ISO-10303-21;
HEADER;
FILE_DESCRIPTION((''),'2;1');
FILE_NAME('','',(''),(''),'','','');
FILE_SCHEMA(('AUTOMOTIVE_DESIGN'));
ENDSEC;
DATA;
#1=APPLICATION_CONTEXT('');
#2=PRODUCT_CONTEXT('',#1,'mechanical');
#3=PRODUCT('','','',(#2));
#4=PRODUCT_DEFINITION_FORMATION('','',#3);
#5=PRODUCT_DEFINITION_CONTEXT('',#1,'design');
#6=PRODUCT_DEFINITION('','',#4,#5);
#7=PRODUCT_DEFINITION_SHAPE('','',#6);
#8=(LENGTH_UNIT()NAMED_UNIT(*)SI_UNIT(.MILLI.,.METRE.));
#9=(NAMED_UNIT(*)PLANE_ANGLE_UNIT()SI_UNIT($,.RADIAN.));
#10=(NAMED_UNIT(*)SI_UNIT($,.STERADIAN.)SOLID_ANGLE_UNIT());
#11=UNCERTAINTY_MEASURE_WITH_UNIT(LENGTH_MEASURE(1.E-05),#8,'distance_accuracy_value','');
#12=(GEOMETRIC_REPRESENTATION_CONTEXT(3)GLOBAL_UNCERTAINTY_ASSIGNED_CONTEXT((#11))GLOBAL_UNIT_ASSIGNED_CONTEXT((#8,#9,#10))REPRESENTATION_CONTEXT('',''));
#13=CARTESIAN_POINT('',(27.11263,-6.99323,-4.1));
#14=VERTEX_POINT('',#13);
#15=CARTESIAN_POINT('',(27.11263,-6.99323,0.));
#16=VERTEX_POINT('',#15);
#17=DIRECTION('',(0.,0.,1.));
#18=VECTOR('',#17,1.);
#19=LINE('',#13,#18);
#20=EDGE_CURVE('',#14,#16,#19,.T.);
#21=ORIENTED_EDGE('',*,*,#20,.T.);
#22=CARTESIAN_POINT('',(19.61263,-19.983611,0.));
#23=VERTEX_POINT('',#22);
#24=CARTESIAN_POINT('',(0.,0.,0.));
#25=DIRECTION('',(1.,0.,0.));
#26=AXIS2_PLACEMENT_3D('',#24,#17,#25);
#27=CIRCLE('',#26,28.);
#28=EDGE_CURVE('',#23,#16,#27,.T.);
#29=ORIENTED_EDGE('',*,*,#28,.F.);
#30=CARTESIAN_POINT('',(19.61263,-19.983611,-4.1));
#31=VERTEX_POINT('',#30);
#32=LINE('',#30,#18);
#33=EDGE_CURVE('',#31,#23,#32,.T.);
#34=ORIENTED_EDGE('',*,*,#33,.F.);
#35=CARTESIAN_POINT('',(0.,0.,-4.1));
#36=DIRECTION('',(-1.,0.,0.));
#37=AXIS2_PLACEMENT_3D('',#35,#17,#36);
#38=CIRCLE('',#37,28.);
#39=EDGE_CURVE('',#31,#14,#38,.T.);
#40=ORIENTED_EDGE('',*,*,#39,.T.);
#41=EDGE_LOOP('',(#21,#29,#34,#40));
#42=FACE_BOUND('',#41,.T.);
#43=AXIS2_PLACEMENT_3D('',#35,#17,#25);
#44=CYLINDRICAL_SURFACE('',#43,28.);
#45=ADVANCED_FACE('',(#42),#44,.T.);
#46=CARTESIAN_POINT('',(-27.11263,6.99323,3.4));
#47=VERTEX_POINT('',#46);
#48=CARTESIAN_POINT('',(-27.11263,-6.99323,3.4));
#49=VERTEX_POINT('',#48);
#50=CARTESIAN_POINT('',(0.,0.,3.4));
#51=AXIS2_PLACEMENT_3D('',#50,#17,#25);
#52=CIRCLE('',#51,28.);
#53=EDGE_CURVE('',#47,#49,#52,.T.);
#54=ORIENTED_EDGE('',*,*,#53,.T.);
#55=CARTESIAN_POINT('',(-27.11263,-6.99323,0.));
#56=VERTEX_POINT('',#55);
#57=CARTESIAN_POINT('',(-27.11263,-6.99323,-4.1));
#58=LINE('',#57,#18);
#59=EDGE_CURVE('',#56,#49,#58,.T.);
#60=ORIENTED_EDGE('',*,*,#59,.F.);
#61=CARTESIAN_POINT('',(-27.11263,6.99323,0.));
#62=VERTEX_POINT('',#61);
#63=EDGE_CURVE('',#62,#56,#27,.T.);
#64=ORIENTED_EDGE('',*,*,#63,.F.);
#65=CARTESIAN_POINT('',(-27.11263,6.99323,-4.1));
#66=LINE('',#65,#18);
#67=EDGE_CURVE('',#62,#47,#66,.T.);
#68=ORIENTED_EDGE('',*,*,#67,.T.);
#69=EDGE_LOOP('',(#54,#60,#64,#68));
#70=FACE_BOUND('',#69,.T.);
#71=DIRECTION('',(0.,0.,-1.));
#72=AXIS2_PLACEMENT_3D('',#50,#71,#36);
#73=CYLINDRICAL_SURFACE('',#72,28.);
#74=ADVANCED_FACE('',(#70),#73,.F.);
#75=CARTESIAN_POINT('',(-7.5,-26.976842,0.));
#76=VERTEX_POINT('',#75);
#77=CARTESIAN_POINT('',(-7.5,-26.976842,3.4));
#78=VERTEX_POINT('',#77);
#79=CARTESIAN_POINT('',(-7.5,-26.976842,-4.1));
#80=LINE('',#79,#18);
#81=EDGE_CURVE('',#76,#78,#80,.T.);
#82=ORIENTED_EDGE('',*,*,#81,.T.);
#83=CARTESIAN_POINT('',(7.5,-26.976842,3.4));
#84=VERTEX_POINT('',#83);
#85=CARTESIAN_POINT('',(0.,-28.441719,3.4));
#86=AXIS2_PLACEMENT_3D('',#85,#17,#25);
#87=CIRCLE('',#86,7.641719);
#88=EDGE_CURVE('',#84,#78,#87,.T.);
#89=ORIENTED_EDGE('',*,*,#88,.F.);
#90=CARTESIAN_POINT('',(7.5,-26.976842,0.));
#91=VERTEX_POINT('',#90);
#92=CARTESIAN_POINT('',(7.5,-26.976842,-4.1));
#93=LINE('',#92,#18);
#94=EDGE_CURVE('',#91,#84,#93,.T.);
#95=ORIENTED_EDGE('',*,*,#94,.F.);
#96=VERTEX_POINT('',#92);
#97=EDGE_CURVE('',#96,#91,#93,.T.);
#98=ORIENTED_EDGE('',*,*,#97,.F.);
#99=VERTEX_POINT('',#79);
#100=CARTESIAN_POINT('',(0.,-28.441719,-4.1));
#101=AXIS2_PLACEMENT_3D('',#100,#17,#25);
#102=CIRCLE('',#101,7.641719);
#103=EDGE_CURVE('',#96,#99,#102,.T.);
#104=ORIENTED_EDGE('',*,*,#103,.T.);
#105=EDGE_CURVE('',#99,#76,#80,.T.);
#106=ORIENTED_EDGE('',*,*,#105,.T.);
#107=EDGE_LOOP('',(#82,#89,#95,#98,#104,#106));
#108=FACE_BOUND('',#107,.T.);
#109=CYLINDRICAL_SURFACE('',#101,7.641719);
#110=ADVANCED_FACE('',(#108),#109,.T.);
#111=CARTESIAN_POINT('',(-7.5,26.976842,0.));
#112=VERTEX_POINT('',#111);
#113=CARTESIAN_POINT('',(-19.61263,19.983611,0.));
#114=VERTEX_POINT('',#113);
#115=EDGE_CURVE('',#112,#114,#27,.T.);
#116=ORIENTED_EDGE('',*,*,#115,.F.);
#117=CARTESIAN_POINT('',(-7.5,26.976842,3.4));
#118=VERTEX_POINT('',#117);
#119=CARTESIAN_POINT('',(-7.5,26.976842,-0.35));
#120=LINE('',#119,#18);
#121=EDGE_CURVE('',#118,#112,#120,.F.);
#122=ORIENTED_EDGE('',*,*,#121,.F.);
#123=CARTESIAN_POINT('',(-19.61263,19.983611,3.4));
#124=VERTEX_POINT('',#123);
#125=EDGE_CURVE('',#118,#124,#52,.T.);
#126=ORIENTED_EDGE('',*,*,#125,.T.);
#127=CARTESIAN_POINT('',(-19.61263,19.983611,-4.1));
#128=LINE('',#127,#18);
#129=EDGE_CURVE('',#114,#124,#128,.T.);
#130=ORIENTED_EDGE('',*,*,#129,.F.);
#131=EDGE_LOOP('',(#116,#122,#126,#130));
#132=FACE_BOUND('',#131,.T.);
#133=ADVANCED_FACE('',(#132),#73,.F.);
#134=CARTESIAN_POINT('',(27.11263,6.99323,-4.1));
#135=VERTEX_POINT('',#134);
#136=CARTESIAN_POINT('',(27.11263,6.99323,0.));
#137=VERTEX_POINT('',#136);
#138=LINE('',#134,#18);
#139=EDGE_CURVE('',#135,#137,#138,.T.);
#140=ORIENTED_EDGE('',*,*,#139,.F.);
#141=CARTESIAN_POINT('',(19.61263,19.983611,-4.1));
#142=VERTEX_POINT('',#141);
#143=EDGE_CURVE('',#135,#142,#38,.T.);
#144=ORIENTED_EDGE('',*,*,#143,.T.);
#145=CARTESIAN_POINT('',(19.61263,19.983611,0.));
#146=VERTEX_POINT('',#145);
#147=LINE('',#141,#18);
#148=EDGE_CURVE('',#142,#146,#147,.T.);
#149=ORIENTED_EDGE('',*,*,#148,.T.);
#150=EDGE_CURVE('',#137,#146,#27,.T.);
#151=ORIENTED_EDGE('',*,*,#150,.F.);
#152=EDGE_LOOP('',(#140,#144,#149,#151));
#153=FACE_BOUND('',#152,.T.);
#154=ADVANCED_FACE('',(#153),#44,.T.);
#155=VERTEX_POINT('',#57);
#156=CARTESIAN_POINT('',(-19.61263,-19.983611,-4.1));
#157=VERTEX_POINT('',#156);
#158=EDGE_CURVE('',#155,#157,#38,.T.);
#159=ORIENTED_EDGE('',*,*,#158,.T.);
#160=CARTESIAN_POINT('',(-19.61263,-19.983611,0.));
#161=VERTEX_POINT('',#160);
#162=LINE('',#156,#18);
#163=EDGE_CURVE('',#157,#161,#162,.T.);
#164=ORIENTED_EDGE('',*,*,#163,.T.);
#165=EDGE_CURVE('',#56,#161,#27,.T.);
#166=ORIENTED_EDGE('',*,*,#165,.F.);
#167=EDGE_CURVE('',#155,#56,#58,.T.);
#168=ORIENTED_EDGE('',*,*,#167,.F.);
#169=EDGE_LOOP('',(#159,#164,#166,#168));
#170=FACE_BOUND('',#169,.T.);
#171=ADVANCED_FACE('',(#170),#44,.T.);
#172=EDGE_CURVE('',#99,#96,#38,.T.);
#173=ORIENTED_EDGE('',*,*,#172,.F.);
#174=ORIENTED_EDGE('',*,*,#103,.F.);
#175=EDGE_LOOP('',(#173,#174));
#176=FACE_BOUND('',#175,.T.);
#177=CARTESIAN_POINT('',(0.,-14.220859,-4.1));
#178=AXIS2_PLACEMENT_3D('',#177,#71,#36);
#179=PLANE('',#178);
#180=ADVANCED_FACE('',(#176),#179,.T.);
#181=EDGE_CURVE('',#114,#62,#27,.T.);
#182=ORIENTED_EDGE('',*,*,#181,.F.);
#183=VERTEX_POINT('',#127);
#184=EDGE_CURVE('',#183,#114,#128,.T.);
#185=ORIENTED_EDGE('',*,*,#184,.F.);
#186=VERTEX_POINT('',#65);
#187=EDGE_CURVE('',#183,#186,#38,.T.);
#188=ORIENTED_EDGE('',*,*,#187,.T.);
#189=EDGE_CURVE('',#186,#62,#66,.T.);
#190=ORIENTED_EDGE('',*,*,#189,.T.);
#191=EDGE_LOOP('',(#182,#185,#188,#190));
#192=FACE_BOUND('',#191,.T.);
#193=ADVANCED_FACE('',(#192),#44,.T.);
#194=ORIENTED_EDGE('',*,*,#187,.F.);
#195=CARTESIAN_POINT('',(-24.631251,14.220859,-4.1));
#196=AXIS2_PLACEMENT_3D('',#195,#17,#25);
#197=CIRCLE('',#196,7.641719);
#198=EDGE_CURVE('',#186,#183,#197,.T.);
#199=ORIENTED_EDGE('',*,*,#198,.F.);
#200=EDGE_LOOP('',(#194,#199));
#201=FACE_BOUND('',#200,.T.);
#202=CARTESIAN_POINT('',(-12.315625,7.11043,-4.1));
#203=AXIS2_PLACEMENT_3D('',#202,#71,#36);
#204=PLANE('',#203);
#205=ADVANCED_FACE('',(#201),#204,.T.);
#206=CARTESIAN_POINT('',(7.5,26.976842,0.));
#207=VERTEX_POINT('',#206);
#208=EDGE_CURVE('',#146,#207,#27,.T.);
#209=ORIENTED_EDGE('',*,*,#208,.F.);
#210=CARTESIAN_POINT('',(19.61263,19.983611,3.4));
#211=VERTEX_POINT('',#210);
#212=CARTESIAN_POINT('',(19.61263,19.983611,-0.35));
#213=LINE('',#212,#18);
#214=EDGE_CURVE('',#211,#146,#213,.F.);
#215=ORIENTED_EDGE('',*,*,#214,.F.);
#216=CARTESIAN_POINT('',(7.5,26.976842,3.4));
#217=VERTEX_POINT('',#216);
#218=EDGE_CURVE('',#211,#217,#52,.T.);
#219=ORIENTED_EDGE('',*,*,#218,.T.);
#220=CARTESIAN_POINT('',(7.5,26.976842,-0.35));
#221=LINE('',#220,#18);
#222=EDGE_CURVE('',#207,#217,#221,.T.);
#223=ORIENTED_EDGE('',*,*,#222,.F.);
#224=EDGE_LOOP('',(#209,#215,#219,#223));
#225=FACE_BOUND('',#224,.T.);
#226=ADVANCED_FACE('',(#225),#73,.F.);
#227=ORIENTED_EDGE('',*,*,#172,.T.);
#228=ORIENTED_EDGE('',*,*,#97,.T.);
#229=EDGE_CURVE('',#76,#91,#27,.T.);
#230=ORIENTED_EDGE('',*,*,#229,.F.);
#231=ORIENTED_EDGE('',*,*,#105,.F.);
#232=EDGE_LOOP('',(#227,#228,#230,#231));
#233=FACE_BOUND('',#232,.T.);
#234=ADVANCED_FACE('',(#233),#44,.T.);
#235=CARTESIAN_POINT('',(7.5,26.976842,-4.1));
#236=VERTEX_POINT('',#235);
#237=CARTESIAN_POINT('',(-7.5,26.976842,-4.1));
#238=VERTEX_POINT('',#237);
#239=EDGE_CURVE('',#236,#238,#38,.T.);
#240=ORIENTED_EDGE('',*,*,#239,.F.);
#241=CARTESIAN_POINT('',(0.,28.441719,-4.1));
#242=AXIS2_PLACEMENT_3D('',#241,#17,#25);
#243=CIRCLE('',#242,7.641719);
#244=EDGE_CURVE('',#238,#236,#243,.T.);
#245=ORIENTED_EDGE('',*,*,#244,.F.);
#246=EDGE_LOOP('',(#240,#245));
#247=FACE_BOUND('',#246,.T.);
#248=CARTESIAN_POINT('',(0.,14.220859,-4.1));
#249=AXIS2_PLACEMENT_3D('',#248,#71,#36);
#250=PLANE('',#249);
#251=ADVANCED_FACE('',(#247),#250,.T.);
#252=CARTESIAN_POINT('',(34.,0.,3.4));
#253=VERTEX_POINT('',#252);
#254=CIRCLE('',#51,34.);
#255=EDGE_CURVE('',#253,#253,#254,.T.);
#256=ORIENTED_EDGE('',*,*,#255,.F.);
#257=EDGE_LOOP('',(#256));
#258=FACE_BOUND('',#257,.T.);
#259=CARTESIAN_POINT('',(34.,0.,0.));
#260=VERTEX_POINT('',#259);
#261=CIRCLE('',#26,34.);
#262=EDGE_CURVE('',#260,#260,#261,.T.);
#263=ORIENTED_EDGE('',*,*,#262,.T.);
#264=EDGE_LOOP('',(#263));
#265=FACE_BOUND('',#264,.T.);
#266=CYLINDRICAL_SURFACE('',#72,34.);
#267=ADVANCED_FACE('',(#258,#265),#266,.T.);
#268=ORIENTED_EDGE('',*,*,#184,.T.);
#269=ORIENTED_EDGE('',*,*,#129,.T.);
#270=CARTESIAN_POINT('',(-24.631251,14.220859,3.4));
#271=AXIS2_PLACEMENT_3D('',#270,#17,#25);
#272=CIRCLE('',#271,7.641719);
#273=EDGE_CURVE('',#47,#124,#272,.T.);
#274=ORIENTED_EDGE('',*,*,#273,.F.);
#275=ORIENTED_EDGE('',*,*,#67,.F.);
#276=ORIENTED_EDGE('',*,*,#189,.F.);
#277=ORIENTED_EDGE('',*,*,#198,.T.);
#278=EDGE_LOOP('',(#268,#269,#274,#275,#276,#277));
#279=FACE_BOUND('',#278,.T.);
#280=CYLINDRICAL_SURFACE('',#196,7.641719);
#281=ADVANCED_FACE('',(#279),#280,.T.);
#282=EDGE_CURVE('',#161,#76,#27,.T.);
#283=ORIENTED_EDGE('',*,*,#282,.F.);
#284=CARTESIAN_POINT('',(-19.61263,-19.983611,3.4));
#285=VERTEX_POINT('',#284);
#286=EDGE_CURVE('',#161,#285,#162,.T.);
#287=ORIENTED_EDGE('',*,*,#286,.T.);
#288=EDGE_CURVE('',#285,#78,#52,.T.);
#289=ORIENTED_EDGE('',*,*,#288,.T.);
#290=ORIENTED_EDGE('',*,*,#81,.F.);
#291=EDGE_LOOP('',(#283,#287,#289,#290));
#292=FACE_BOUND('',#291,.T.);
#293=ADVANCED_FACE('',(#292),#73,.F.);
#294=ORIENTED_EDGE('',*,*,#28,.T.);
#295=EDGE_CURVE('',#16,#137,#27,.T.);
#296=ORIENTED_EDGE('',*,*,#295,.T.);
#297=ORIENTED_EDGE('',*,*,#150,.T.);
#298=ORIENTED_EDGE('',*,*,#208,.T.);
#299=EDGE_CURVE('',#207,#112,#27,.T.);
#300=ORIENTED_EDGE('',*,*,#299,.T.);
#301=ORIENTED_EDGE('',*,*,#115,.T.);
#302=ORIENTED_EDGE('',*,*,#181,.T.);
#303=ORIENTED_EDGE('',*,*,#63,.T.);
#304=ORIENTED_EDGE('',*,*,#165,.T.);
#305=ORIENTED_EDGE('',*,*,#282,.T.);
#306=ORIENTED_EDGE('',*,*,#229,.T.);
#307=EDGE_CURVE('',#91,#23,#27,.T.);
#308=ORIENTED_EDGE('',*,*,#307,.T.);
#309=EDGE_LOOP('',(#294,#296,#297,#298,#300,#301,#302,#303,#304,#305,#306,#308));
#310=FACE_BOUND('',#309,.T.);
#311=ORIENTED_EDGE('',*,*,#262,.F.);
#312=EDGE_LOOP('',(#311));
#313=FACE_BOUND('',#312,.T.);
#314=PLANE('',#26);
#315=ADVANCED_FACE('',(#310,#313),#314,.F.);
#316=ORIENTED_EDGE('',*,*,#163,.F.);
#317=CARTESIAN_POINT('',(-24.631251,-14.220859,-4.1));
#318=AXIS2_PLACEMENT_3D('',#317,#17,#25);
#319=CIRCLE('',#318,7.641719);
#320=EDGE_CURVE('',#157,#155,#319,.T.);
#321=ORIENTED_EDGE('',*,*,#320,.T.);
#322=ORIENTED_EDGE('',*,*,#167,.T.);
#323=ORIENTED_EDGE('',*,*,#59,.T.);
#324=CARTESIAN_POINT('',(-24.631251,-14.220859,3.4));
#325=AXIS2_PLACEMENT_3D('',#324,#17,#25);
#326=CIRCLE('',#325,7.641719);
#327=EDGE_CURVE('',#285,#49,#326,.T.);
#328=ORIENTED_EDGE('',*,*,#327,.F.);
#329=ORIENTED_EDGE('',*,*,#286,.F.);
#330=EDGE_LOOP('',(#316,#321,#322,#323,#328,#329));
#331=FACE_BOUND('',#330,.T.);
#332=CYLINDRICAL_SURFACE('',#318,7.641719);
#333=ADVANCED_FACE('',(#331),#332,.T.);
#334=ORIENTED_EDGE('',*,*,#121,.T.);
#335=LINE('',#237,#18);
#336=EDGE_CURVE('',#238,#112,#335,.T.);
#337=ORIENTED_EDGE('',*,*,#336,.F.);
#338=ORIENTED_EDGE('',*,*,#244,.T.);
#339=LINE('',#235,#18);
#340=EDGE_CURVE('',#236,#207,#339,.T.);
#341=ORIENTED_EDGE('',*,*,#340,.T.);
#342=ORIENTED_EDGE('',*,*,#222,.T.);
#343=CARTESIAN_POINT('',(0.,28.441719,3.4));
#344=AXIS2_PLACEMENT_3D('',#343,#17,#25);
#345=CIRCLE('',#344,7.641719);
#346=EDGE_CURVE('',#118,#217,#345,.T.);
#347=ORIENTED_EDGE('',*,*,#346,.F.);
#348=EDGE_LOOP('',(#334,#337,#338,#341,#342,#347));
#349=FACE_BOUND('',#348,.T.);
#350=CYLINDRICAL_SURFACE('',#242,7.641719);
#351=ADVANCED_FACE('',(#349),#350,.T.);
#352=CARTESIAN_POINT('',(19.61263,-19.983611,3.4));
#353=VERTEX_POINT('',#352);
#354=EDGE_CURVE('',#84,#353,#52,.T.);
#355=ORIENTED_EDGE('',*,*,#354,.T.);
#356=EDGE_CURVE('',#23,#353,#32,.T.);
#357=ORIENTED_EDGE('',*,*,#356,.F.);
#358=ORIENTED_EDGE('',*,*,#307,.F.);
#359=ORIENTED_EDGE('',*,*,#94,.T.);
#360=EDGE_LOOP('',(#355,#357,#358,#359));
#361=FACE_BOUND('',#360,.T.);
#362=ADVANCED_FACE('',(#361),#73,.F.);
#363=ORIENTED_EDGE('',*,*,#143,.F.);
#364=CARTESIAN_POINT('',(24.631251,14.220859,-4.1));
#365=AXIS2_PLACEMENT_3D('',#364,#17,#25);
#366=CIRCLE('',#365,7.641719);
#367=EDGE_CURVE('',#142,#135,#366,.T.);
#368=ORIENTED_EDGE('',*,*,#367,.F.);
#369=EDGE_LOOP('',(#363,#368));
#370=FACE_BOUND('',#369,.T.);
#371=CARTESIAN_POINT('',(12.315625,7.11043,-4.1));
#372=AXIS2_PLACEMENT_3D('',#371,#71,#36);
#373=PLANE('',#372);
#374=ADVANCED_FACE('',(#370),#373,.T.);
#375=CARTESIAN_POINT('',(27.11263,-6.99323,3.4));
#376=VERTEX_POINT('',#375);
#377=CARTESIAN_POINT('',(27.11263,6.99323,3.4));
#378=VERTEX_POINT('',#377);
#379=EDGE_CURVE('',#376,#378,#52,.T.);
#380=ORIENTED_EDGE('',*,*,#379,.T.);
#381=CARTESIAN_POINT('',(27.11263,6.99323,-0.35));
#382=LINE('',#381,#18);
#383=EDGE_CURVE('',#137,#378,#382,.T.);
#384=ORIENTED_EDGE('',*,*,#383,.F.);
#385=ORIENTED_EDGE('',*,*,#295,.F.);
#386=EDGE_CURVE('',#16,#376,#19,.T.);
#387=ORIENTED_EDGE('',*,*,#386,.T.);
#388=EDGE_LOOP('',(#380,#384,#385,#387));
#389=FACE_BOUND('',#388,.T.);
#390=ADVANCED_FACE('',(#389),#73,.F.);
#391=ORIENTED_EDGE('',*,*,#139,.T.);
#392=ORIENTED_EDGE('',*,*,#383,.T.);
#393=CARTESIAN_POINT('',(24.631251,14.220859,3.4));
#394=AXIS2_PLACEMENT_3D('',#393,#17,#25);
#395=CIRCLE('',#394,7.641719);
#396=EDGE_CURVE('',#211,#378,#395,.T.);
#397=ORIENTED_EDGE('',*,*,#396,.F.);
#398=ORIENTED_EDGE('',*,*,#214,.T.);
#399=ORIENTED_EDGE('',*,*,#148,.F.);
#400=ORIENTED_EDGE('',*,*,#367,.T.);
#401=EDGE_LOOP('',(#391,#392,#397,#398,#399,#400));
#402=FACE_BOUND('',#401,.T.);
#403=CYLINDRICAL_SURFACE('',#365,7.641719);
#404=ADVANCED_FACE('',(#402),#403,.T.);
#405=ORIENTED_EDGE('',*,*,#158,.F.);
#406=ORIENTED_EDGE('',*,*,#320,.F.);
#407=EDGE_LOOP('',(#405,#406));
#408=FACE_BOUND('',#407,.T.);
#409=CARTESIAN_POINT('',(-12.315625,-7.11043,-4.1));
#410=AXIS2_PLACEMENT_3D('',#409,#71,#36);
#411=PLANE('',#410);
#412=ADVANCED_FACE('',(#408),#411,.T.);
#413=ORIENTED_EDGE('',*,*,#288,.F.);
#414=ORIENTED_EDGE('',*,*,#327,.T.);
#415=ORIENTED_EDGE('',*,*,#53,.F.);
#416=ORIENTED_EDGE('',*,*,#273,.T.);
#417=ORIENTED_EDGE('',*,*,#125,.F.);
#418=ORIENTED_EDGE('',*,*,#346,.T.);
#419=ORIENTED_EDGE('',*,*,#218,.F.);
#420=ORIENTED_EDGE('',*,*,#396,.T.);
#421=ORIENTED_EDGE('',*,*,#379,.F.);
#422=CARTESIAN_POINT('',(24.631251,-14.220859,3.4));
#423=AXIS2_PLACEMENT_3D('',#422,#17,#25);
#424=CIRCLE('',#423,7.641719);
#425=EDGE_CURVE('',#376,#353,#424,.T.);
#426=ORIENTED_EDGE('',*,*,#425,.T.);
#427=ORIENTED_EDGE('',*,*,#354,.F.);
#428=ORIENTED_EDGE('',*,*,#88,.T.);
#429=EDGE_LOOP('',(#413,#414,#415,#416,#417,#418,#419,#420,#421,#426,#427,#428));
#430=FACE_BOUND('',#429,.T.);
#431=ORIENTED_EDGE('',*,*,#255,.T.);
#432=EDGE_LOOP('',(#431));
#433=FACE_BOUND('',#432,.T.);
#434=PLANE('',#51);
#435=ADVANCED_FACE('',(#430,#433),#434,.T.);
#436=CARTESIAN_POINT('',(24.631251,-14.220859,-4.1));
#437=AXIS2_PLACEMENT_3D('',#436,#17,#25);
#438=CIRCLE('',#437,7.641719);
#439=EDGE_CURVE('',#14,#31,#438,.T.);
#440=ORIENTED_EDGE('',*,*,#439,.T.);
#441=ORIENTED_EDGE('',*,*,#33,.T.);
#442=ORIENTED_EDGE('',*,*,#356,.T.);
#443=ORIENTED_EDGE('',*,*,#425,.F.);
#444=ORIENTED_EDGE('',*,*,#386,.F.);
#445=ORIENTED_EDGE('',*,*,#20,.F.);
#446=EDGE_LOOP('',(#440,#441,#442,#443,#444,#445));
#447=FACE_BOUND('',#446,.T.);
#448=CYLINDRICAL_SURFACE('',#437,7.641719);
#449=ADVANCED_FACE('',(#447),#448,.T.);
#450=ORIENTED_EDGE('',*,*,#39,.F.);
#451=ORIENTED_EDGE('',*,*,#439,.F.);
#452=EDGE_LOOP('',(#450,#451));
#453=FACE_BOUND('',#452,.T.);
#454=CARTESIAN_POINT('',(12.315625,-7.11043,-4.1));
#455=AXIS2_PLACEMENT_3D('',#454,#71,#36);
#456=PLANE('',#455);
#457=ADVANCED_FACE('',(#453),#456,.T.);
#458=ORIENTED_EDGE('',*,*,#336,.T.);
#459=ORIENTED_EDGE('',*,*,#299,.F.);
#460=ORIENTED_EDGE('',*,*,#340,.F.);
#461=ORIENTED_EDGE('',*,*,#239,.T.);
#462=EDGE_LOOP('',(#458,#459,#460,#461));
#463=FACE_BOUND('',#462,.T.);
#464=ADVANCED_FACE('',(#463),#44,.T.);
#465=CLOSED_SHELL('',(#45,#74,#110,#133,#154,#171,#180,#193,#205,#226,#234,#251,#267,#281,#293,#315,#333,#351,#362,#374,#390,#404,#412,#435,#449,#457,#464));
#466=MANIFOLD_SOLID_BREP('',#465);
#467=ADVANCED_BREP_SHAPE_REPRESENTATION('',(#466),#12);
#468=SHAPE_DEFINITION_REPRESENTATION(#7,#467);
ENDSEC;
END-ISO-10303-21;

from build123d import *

# Parameters (mm, degrees)
SKETCH_1_R      = 34
SKETCH_1_R_2    = 28
EXTRUDE_1_DEPTH = 3.4
EXTRUDE_START   = -7.5
EXTRUDE_2_DEPTH = 7.5


with BuildPart() as part:
    # Эскиз1 → Бобышка-Вытянуть1 (new body)
    with BuildSketch(Plane.XY):
        Circle(SKETCH_1_R)
        Circle(SKETCH_1_R_2, mode=Mode.SUBTRACT)
    extrude(amount=EXTRUDE_1_DEPTH)

    # Эскиз2 → Бобышка-Вытянуть2 (add)
    with BuildSketch(Plane.XY.offset(3.4).offset(EXTRUDE_START)):
        with BuildLine():
            ThreePointArc((-7.5, 26.97684192), (0, 20.8), (7.5, 26.97684192))
            ThreePointArc((7.5, 26.97684192), (0, 28), (-7.5, 26.97684192))
        make_face()
        with BuildLine():
            ThreePointArc((19.612630417, 19.983611489), (18.013328399, 10.4), (27.112630417, 6.993230432))
            ThreePointArc((27.112630417, 6.993230432), (24.248711306, 14), (19.612630417, 19.983611489))
        make_face()
        with BuildLine():
            ThreePointArc((27.112630417, -6.993230432), (18.013328399, -10.4), (19.612630417, -19.983611489))
            ThreePointArc((19.612630417, -19.983611489), (24.248711306, -14), (27.112630417, -6.993230432))
        make_face()
        with BuildLine():
            ThreePointArc((7.5, -26.97684192), (0, -20.8), (-7.5, -26.97684192))
            ThreePointArc((-7.5, -26.97684192), (0, -28), (7.5, -26.97684192))
        make_face()
        with BuildLine():
            ThreePointArc((-19.612630417, -19.983611489), (-18.013328399, -10.4), (-27.112630417, -6.993230432))
            ThreePointArc((-27.112630417, -6.993230432), (-24.248711306, -14), (-19.612630417, -19.983611489))
        make_face()
        with BuildLine():
            ThreePointArc((-27.112630417, 6.993230432), (-18.013328399, 10.4), (-19.612630417, 19.983611489))
            ThreePointArc((-19.612630417, 19.983611489), (-24.248711306, 14), (-27.112630417, 6.993230432))
        make_face()
    extrude(amount=EXTRUDE_2_DEPTH)


solid = part.part
